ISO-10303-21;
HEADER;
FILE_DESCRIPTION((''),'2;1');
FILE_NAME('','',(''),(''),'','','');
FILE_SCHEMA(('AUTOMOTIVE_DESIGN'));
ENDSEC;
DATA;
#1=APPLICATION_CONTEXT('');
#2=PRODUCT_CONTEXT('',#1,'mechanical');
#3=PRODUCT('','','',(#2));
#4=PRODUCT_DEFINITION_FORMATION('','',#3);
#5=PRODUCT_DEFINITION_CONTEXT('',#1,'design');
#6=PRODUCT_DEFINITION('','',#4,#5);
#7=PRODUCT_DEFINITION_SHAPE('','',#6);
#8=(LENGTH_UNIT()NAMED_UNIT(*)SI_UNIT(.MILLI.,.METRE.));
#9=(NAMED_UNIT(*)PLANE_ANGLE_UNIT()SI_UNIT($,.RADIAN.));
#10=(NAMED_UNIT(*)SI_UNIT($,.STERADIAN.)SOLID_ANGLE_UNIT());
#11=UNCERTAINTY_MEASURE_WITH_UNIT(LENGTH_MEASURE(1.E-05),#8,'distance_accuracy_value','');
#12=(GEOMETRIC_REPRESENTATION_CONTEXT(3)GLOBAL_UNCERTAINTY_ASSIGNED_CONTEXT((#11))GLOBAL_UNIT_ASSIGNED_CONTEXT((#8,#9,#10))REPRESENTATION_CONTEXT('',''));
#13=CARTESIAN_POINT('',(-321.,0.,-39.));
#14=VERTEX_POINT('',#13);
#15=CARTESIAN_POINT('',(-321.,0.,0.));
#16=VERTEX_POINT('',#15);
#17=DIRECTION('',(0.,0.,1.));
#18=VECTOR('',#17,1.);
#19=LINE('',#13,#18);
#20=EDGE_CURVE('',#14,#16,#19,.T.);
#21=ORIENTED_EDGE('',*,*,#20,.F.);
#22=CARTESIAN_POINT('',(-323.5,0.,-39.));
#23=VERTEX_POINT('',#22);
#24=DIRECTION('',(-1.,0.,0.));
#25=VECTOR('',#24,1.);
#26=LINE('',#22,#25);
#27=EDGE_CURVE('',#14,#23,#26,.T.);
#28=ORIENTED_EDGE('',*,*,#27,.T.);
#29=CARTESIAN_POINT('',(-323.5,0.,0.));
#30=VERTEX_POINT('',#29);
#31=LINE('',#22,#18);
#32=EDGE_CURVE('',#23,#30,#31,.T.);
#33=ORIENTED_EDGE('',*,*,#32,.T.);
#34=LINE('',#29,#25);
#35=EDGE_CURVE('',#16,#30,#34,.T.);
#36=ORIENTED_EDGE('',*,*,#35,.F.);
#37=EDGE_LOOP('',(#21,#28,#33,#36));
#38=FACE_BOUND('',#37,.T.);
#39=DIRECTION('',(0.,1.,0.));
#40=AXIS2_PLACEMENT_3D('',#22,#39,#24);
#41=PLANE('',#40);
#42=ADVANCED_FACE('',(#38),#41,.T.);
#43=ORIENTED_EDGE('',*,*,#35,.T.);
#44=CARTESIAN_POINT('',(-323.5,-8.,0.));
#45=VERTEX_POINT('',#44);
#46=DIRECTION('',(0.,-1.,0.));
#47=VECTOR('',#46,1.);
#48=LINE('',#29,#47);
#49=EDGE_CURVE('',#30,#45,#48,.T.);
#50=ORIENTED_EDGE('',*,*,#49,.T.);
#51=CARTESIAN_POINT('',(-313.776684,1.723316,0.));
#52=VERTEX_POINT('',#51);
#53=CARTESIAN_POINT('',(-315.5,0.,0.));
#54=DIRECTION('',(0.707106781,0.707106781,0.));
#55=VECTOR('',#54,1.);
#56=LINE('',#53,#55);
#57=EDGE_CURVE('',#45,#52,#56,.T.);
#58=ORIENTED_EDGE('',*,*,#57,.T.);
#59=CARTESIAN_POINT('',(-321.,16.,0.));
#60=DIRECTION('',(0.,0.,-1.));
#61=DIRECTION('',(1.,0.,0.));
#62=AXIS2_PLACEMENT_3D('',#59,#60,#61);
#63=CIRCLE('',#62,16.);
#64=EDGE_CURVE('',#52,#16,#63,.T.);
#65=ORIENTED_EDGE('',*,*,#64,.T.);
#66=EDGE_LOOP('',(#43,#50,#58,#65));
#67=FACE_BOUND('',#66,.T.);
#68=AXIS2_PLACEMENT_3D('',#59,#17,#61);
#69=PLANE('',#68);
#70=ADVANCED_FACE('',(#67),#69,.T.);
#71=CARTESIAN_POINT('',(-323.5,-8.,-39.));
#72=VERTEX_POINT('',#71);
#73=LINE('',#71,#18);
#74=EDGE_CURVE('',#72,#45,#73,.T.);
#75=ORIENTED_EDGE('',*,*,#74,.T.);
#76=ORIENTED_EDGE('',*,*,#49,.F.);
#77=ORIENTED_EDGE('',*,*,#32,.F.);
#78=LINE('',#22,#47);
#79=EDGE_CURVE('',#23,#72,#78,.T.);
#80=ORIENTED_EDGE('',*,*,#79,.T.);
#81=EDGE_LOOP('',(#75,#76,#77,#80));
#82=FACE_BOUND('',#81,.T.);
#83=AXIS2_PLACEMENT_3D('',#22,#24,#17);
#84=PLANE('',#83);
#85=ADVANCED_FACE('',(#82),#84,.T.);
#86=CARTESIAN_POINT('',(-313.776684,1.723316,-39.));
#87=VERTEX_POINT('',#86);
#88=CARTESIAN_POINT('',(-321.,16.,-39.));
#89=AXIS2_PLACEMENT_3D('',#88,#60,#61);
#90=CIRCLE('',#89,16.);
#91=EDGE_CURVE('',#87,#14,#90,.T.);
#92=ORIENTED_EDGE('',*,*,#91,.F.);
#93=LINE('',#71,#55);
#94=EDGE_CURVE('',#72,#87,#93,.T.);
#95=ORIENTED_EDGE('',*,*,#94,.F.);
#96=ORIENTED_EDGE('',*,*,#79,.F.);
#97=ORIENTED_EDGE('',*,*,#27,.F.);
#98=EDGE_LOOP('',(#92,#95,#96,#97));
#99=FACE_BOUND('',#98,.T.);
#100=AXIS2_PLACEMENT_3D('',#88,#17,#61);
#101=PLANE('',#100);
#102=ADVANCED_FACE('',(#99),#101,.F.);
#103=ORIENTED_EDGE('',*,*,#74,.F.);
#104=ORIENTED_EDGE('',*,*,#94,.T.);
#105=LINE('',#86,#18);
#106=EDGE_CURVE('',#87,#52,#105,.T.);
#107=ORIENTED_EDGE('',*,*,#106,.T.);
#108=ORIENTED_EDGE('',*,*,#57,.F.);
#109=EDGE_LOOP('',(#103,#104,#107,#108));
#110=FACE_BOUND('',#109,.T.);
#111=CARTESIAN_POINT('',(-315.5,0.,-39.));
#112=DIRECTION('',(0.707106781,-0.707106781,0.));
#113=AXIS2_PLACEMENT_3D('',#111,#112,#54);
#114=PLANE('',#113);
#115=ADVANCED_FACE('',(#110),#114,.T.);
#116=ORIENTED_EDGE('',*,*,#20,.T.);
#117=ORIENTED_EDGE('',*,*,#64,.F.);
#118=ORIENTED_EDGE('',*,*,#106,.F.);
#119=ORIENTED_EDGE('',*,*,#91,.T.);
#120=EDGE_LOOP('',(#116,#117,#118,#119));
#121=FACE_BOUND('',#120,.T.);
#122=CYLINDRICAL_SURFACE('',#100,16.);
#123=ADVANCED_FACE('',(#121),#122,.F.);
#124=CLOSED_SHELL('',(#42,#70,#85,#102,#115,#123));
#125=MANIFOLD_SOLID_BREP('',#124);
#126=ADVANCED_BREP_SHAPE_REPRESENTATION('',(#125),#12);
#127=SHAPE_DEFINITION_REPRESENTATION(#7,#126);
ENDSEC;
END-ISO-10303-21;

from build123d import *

# Parameters (mm, degrees)
EXTRUDE_1_DEPTH = 39


with BuildPart() as part:
    # Эскиз1 → Вытянуть1 (new body)
    with BuildSketch(Plane.XY):
        with BuildLine():
            Line((-323.5, 0), (-323.5, -8))
            Line((-323.5, -8), (-315.5, 0))
            Line((-315.5, 0), (-313.77668374, 1.72331626))
            ThreePointArc((-313.77668374, 1.72331626), (-317.286978417, 0.436791117), (-321, 0))
            Line((-321, 0), (-323.5, 0))
        make_face()
    extrude(amount=-EXTRUDE_1_DEPTH)


solid = part.part
